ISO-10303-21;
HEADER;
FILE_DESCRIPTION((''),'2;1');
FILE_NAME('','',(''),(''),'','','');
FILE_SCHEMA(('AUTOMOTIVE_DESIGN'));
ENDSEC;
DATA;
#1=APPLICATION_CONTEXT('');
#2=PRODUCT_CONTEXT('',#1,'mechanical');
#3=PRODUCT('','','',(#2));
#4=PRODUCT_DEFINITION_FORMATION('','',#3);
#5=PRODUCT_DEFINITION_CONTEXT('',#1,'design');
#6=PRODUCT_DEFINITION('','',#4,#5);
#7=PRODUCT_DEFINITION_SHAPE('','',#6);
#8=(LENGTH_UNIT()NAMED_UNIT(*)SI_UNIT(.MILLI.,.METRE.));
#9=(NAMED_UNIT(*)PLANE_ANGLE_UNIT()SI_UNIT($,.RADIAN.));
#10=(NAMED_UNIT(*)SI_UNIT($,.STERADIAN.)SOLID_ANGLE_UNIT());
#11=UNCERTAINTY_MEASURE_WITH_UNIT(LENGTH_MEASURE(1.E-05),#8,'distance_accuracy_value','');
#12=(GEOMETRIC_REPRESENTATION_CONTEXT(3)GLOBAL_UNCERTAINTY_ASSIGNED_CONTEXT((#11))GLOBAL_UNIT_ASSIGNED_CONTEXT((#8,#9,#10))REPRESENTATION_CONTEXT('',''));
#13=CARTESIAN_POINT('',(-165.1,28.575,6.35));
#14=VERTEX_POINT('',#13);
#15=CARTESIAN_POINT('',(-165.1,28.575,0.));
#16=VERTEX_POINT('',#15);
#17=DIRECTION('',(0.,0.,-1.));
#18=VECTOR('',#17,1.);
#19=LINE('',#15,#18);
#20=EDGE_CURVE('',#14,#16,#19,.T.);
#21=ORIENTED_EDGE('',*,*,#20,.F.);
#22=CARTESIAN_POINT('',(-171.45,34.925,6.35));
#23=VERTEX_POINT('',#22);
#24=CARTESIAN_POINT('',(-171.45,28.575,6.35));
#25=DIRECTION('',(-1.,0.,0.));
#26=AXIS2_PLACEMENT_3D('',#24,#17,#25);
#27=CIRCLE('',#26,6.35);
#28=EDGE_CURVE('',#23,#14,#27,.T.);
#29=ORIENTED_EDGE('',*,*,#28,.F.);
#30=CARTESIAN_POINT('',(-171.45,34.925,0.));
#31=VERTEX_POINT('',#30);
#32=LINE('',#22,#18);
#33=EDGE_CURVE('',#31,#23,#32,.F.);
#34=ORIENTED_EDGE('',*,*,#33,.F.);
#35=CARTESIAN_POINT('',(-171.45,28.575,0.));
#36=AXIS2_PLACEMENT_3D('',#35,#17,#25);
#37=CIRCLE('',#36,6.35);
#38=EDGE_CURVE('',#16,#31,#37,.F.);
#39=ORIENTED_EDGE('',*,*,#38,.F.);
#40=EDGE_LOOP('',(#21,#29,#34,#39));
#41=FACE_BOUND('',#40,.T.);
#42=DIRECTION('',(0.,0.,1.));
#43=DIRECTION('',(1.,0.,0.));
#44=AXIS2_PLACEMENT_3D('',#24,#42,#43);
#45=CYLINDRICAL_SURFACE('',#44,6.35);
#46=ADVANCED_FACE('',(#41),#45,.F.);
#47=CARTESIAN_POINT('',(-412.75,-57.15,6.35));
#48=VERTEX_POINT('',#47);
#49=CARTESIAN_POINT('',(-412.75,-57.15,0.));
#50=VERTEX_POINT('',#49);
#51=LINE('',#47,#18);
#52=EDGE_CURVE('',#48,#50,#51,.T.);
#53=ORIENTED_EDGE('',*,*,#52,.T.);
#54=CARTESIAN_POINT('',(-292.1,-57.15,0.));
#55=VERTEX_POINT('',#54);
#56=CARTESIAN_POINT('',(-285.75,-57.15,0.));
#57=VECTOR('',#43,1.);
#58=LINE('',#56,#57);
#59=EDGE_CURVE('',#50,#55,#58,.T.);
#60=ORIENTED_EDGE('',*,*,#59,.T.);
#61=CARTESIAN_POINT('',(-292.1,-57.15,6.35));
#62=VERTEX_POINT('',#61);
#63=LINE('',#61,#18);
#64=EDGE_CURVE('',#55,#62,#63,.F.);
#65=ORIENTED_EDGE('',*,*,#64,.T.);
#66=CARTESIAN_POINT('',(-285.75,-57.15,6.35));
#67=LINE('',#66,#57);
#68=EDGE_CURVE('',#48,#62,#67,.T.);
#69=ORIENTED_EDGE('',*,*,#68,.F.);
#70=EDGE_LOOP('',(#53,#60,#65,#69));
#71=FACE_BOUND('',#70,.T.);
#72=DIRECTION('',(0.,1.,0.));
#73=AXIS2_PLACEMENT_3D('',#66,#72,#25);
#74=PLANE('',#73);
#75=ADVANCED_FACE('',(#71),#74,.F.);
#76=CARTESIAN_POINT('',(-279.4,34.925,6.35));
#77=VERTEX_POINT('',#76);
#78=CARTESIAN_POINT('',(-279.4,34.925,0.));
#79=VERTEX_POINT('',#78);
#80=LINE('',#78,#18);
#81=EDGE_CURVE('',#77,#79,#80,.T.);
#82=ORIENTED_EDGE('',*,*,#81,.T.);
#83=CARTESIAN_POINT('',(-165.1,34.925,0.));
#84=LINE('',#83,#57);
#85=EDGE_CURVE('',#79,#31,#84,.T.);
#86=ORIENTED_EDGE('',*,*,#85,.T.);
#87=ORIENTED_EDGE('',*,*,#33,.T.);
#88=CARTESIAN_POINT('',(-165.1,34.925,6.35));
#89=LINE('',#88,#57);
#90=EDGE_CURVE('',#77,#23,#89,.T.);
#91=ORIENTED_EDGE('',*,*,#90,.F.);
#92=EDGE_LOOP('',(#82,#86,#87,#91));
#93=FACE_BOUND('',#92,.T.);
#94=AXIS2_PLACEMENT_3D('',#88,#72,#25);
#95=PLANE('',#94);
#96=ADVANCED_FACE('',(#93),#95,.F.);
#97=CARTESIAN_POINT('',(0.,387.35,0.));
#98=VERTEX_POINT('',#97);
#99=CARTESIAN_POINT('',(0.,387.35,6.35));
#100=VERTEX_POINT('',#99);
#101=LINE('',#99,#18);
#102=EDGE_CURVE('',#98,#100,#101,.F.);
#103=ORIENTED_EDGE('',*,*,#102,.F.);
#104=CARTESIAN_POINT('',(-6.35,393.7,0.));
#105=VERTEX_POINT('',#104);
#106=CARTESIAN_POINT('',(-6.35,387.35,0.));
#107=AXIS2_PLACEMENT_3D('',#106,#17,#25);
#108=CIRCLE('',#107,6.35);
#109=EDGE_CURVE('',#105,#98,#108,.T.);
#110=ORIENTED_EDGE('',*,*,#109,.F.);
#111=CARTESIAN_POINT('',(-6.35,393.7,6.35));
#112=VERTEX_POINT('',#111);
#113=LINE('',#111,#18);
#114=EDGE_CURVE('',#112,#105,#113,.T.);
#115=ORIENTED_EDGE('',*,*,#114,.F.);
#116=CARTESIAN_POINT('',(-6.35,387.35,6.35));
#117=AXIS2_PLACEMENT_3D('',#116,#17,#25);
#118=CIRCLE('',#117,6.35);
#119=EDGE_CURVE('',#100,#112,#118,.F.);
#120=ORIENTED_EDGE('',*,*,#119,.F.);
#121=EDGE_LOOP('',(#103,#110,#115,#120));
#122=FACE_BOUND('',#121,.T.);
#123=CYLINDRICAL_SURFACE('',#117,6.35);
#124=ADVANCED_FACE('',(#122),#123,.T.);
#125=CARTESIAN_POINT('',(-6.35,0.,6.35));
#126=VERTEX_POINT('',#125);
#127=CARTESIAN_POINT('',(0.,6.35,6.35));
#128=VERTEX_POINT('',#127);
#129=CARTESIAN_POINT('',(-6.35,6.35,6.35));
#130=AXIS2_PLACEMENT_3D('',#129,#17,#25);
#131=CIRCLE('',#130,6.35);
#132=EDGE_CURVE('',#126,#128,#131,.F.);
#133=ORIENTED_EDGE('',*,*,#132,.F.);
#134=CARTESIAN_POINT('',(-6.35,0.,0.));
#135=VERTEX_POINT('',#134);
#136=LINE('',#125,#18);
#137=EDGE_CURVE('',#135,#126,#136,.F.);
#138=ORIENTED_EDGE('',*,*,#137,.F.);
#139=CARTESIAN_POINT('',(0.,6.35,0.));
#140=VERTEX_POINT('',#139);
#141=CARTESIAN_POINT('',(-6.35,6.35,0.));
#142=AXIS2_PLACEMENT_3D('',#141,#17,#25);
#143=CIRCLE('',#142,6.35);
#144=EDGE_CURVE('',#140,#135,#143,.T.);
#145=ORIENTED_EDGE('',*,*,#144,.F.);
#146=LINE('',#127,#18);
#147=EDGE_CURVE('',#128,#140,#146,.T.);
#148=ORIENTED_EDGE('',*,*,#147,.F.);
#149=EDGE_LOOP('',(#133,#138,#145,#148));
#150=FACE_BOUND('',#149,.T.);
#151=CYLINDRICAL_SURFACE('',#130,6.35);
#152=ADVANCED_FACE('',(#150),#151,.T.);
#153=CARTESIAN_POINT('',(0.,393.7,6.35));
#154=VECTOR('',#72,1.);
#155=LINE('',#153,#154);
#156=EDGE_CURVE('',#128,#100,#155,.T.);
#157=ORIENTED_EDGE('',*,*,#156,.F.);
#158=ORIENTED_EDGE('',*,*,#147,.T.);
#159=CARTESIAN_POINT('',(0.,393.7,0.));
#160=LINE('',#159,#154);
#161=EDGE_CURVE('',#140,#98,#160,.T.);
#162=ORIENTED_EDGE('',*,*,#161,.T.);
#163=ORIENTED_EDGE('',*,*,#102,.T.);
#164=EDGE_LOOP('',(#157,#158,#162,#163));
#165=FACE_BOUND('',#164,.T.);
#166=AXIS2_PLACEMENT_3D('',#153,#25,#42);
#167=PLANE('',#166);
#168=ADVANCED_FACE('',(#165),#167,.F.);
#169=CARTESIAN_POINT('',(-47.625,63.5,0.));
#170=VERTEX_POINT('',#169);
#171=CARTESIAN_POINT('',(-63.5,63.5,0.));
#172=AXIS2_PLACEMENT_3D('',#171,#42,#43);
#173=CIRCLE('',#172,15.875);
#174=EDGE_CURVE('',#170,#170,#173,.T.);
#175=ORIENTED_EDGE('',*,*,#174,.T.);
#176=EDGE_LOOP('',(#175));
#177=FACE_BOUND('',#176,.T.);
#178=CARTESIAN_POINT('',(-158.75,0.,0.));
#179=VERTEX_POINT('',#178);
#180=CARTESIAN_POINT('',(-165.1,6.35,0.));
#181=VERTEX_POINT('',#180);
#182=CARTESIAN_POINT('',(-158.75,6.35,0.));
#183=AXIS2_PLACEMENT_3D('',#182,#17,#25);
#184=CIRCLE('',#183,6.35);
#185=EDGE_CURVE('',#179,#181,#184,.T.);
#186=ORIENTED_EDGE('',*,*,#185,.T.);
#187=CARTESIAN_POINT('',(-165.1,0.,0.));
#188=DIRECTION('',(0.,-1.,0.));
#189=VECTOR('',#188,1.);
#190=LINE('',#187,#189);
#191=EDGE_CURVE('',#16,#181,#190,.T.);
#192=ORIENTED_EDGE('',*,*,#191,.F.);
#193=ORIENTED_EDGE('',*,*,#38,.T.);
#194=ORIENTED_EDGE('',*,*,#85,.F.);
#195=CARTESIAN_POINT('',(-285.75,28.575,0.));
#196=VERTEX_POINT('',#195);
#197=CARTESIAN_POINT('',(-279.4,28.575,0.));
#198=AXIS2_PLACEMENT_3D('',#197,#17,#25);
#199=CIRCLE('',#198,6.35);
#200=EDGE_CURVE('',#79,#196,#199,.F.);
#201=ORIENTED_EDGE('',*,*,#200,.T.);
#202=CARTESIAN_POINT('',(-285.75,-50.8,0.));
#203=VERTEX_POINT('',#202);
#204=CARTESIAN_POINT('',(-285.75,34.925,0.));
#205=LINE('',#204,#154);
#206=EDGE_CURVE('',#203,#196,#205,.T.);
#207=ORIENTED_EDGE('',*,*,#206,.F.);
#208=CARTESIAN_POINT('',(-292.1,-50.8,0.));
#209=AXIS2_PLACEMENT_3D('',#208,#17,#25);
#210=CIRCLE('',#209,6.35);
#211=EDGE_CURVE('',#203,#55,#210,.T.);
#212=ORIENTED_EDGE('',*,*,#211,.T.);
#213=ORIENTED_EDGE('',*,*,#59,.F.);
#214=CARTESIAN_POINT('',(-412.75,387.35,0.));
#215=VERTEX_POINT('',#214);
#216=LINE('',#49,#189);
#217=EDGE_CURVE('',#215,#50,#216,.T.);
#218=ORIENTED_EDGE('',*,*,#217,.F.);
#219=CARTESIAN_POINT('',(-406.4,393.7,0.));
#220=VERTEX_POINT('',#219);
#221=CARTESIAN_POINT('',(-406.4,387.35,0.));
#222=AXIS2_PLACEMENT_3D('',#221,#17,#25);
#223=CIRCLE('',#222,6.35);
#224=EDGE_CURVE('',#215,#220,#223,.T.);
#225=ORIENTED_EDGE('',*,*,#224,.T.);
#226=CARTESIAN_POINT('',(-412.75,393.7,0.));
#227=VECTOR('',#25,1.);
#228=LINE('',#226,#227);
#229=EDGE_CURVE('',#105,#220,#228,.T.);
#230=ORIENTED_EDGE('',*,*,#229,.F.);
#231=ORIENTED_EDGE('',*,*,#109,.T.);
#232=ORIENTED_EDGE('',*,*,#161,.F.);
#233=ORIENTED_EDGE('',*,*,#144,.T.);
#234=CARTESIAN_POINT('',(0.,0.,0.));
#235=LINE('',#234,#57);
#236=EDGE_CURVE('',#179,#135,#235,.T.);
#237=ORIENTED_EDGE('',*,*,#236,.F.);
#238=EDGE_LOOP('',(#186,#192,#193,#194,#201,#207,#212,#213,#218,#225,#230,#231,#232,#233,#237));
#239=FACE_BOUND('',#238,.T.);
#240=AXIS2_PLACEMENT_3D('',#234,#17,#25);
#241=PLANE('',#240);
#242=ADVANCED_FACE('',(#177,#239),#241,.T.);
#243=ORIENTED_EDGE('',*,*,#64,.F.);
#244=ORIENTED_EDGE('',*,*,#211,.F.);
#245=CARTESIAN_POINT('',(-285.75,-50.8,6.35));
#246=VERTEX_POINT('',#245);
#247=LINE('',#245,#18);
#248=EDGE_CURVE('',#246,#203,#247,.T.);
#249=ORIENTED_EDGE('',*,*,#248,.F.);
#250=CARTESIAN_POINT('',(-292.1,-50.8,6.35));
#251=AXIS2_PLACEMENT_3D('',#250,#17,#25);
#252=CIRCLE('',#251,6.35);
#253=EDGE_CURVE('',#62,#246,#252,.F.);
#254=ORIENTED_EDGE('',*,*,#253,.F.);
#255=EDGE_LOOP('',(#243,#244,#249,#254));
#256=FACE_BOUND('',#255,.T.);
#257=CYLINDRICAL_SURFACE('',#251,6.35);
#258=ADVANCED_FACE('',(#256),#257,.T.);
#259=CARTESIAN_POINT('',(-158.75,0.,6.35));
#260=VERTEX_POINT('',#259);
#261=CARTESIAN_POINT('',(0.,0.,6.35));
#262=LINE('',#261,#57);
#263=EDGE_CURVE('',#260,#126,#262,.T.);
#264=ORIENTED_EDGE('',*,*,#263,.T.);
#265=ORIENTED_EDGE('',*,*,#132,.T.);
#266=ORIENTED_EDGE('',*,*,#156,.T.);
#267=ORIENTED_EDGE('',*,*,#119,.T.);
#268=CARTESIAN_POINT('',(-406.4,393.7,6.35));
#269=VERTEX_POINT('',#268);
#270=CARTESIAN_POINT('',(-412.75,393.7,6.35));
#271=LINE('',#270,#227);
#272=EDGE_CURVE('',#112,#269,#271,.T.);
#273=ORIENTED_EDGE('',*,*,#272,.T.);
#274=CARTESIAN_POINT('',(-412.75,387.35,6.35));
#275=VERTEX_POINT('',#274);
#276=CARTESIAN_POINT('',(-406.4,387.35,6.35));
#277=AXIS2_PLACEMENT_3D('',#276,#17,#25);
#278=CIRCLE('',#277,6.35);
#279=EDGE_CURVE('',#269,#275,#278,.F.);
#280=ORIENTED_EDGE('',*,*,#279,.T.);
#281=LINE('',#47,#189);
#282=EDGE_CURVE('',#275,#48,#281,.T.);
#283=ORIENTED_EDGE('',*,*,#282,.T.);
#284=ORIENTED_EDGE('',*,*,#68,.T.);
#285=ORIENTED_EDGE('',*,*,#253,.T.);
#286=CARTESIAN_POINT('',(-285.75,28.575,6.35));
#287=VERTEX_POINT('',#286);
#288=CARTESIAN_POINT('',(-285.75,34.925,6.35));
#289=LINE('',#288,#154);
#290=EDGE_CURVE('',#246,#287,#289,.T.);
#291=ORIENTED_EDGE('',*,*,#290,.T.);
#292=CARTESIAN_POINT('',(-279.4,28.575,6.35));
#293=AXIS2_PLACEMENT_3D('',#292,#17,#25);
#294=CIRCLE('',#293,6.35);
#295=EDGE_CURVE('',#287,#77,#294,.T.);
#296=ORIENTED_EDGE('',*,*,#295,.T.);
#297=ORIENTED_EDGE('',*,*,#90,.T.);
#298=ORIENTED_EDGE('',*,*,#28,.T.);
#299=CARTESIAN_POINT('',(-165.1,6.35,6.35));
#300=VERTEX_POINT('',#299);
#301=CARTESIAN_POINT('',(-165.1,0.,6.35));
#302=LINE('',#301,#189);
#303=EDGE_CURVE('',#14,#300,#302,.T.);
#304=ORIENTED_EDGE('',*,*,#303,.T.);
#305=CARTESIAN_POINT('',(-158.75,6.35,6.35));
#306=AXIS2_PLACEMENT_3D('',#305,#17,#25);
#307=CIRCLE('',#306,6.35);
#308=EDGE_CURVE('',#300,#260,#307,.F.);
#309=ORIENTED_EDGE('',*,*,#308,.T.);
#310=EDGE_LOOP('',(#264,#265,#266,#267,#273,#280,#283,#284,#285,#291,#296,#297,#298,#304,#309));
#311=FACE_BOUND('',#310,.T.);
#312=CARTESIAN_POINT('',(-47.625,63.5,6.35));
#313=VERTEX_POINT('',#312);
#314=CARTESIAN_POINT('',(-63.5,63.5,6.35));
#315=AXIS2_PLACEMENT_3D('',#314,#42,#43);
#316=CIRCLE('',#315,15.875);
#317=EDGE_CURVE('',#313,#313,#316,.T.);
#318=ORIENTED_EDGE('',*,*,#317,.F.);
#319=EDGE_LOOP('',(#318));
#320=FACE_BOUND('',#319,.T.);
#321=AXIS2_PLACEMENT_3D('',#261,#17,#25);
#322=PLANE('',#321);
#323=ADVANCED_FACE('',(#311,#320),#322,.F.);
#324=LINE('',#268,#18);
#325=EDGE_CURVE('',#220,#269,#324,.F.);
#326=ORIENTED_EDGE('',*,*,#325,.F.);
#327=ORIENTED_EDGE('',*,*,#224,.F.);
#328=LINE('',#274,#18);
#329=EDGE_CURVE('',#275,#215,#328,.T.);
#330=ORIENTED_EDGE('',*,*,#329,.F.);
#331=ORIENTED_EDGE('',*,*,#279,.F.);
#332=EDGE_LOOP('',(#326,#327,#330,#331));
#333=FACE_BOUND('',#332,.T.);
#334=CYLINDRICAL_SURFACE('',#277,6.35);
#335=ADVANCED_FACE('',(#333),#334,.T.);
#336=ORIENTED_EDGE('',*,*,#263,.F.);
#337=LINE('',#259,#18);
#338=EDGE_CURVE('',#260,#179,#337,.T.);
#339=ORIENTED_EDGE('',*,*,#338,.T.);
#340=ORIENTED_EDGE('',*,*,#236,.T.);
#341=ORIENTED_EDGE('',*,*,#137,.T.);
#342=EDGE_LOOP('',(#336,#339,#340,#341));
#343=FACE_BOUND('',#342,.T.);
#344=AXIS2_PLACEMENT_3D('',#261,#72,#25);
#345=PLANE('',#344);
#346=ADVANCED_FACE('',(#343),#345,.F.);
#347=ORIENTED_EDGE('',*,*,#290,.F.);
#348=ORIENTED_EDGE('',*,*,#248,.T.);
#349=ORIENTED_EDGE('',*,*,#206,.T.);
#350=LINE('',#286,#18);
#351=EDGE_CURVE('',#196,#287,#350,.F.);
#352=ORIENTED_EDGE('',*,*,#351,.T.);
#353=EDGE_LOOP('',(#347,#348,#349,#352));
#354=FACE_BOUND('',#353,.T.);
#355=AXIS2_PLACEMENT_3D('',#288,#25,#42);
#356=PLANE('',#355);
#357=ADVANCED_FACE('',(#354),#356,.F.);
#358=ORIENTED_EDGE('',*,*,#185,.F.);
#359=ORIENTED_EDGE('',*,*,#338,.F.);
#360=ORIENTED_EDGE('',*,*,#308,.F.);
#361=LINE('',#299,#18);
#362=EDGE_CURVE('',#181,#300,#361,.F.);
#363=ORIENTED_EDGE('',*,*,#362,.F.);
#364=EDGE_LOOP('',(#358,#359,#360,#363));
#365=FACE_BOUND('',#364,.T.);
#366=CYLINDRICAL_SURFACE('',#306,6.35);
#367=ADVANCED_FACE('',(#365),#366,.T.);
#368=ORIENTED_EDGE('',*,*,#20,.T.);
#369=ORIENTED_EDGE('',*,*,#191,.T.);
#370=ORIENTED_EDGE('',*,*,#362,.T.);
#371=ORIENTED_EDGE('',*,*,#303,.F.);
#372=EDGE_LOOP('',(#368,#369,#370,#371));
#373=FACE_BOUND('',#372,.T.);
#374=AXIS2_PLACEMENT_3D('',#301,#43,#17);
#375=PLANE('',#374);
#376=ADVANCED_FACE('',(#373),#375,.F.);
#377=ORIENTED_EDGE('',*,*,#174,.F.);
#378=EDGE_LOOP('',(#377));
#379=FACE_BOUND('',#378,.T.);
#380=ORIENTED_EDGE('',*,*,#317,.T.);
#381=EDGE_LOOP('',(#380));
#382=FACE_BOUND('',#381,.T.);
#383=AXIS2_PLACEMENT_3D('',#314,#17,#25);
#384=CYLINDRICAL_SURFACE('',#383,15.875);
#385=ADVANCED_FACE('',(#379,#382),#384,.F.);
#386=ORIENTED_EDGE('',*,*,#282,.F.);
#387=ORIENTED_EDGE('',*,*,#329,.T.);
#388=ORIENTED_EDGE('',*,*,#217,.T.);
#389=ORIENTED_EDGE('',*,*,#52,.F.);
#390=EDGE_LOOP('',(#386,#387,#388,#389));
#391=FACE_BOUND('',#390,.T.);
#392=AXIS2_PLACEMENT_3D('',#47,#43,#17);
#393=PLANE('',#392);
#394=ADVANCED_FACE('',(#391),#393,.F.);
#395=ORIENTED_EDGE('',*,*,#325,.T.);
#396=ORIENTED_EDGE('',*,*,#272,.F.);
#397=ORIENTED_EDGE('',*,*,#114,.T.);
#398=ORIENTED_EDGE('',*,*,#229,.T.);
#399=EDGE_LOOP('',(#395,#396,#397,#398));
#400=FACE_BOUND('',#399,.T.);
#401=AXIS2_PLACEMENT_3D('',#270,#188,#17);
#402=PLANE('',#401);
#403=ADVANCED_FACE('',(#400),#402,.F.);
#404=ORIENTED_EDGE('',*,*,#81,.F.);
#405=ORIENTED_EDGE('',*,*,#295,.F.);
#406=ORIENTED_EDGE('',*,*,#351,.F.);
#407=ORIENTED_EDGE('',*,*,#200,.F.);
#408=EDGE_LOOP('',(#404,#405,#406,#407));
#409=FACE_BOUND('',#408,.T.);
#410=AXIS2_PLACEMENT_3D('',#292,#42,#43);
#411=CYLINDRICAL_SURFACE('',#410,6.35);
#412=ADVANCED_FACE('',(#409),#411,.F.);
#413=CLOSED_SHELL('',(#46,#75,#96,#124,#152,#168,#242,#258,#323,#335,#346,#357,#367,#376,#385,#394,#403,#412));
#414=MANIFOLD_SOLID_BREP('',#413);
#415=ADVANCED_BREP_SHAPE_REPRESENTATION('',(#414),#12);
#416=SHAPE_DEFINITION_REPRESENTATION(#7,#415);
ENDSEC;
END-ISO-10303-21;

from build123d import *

# Parameters (mm, degrees)
SKETCH2_R           = 15.875
BOSS_EXTRUDE1_DEPTH = 6.35
FILLET1_R           = 6.35


with BuildPart() as part:
    # Sketch2 → Boss-Extrude1 (new body)
    with BuildSketch(Plane.XY):
        Polygon((0, 0), (-165.1, 0), (-165.1, 34.925), (-285.75, 34.925), (-285.75, -57.15), (-412.75, -57.15), (-412.75, 393.7), (0, 393.7), align=None)
        with Locations((-63.5, 63.5)):
            Circle(SKETCH2_R, mode=Mode.SUBTRACT)
    extrude(amount=BOSS_EXTRUDE1_DEPTH)

    # Fillet1
    fillet1_edges = [part.edges().sort_by_distance(p)[0] for p in [
        (-412.75, 393.7, 3.175),
        (0, 393.7, 3.175),
        (0, 0, 3.175),
        (-165.1, 0, 3.175),
        (-165.1, 34.925, 3.175),
        (-285.75, 34.925, 3.175),
        (-285.75, -57.15, 3.175),
    ]]
    fillet(fillet1_edges, radius=FILLET1_R)


solid = part.part
